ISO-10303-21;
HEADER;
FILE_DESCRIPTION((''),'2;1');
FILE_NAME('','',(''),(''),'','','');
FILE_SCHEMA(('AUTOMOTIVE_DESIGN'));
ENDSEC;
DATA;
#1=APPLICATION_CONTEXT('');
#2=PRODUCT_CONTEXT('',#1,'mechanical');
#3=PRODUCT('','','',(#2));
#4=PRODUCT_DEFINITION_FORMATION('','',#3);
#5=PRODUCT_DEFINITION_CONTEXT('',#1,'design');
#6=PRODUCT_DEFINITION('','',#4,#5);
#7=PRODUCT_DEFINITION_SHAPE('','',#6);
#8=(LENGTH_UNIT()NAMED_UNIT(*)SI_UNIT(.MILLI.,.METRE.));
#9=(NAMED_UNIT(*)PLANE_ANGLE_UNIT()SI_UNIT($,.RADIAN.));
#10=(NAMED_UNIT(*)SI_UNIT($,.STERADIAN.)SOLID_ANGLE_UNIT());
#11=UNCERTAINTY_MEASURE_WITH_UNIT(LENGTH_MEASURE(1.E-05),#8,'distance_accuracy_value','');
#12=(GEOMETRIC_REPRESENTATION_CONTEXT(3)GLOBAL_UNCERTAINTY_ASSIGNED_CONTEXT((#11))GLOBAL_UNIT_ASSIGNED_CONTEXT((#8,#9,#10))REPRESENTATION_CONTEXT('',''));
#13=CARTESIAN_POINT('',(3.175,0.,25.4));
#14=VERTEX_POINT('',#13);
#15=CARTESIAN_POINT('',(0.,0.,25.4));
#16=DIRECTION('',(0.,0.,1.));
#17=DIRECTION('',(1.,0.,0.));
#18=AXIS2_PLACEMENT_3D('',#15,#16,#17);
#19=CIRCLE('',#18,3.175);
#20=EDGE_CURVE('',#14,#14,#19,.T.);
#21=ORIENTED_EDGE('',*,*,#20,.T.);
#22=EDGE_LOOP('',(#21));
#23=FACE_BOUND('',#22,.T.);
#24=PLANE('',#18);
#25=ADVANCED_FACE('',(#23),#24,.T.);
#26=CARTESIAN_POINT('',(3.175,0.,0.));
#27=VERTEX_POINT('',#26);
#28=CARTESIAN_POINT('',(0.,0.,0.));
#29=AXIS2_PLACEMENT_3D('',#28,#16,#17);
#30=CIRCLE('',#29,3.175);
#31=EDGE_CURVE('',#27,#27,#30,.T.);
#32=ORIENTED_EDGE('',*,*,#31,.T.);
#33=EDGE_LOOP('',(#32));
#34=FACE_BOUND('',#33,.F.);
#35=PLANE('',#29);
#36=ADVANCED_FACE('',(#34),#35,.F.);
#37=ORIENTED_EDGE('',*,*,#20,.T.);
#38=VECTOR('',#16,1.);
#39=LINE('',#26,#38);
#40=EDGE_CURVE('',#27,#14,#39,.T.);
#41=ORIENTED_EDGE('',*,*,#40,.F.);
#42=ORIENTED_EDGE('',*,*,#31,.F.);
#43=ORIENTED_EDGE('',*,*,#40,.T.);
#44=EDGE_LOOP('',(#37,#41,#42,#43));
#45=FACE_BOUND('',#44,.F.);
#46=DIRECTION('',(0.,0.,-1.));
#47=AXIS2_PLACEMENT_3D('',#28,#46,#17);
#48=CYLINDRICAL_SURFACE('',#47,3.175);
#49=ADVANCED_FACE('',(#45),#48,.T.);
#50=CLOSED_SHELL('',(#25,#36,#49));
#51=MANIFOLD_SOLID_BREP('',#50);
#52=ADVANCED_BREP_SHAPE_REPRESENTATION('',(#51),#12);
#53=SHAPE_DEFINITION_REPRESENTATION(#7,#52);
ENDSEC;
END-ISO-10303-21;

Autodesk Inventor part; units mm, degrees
ref_plane "YZ Plane" through (0, 0, 0) normal (1, 0, 0) x (0, 1, 0)
ref_plane "XZ Plane" through (0, 0, 0) normal (0, 1, 0) x (-1, 0, 0)
ref_plane "XY Plane" through (0, 0, 0) normal (0, 0, 1) x (1, 0, 0)
sketch "Sketch1" plane through (0, 0, 0) normal (0, 0, 1) x (1, 0, 0)
  circle A0 centre (0, 0) radius 3.175
  dimension "d0" = 6.35
extrude "Extrusion1" add sketch "Sketch1" along normal blind 25.4
